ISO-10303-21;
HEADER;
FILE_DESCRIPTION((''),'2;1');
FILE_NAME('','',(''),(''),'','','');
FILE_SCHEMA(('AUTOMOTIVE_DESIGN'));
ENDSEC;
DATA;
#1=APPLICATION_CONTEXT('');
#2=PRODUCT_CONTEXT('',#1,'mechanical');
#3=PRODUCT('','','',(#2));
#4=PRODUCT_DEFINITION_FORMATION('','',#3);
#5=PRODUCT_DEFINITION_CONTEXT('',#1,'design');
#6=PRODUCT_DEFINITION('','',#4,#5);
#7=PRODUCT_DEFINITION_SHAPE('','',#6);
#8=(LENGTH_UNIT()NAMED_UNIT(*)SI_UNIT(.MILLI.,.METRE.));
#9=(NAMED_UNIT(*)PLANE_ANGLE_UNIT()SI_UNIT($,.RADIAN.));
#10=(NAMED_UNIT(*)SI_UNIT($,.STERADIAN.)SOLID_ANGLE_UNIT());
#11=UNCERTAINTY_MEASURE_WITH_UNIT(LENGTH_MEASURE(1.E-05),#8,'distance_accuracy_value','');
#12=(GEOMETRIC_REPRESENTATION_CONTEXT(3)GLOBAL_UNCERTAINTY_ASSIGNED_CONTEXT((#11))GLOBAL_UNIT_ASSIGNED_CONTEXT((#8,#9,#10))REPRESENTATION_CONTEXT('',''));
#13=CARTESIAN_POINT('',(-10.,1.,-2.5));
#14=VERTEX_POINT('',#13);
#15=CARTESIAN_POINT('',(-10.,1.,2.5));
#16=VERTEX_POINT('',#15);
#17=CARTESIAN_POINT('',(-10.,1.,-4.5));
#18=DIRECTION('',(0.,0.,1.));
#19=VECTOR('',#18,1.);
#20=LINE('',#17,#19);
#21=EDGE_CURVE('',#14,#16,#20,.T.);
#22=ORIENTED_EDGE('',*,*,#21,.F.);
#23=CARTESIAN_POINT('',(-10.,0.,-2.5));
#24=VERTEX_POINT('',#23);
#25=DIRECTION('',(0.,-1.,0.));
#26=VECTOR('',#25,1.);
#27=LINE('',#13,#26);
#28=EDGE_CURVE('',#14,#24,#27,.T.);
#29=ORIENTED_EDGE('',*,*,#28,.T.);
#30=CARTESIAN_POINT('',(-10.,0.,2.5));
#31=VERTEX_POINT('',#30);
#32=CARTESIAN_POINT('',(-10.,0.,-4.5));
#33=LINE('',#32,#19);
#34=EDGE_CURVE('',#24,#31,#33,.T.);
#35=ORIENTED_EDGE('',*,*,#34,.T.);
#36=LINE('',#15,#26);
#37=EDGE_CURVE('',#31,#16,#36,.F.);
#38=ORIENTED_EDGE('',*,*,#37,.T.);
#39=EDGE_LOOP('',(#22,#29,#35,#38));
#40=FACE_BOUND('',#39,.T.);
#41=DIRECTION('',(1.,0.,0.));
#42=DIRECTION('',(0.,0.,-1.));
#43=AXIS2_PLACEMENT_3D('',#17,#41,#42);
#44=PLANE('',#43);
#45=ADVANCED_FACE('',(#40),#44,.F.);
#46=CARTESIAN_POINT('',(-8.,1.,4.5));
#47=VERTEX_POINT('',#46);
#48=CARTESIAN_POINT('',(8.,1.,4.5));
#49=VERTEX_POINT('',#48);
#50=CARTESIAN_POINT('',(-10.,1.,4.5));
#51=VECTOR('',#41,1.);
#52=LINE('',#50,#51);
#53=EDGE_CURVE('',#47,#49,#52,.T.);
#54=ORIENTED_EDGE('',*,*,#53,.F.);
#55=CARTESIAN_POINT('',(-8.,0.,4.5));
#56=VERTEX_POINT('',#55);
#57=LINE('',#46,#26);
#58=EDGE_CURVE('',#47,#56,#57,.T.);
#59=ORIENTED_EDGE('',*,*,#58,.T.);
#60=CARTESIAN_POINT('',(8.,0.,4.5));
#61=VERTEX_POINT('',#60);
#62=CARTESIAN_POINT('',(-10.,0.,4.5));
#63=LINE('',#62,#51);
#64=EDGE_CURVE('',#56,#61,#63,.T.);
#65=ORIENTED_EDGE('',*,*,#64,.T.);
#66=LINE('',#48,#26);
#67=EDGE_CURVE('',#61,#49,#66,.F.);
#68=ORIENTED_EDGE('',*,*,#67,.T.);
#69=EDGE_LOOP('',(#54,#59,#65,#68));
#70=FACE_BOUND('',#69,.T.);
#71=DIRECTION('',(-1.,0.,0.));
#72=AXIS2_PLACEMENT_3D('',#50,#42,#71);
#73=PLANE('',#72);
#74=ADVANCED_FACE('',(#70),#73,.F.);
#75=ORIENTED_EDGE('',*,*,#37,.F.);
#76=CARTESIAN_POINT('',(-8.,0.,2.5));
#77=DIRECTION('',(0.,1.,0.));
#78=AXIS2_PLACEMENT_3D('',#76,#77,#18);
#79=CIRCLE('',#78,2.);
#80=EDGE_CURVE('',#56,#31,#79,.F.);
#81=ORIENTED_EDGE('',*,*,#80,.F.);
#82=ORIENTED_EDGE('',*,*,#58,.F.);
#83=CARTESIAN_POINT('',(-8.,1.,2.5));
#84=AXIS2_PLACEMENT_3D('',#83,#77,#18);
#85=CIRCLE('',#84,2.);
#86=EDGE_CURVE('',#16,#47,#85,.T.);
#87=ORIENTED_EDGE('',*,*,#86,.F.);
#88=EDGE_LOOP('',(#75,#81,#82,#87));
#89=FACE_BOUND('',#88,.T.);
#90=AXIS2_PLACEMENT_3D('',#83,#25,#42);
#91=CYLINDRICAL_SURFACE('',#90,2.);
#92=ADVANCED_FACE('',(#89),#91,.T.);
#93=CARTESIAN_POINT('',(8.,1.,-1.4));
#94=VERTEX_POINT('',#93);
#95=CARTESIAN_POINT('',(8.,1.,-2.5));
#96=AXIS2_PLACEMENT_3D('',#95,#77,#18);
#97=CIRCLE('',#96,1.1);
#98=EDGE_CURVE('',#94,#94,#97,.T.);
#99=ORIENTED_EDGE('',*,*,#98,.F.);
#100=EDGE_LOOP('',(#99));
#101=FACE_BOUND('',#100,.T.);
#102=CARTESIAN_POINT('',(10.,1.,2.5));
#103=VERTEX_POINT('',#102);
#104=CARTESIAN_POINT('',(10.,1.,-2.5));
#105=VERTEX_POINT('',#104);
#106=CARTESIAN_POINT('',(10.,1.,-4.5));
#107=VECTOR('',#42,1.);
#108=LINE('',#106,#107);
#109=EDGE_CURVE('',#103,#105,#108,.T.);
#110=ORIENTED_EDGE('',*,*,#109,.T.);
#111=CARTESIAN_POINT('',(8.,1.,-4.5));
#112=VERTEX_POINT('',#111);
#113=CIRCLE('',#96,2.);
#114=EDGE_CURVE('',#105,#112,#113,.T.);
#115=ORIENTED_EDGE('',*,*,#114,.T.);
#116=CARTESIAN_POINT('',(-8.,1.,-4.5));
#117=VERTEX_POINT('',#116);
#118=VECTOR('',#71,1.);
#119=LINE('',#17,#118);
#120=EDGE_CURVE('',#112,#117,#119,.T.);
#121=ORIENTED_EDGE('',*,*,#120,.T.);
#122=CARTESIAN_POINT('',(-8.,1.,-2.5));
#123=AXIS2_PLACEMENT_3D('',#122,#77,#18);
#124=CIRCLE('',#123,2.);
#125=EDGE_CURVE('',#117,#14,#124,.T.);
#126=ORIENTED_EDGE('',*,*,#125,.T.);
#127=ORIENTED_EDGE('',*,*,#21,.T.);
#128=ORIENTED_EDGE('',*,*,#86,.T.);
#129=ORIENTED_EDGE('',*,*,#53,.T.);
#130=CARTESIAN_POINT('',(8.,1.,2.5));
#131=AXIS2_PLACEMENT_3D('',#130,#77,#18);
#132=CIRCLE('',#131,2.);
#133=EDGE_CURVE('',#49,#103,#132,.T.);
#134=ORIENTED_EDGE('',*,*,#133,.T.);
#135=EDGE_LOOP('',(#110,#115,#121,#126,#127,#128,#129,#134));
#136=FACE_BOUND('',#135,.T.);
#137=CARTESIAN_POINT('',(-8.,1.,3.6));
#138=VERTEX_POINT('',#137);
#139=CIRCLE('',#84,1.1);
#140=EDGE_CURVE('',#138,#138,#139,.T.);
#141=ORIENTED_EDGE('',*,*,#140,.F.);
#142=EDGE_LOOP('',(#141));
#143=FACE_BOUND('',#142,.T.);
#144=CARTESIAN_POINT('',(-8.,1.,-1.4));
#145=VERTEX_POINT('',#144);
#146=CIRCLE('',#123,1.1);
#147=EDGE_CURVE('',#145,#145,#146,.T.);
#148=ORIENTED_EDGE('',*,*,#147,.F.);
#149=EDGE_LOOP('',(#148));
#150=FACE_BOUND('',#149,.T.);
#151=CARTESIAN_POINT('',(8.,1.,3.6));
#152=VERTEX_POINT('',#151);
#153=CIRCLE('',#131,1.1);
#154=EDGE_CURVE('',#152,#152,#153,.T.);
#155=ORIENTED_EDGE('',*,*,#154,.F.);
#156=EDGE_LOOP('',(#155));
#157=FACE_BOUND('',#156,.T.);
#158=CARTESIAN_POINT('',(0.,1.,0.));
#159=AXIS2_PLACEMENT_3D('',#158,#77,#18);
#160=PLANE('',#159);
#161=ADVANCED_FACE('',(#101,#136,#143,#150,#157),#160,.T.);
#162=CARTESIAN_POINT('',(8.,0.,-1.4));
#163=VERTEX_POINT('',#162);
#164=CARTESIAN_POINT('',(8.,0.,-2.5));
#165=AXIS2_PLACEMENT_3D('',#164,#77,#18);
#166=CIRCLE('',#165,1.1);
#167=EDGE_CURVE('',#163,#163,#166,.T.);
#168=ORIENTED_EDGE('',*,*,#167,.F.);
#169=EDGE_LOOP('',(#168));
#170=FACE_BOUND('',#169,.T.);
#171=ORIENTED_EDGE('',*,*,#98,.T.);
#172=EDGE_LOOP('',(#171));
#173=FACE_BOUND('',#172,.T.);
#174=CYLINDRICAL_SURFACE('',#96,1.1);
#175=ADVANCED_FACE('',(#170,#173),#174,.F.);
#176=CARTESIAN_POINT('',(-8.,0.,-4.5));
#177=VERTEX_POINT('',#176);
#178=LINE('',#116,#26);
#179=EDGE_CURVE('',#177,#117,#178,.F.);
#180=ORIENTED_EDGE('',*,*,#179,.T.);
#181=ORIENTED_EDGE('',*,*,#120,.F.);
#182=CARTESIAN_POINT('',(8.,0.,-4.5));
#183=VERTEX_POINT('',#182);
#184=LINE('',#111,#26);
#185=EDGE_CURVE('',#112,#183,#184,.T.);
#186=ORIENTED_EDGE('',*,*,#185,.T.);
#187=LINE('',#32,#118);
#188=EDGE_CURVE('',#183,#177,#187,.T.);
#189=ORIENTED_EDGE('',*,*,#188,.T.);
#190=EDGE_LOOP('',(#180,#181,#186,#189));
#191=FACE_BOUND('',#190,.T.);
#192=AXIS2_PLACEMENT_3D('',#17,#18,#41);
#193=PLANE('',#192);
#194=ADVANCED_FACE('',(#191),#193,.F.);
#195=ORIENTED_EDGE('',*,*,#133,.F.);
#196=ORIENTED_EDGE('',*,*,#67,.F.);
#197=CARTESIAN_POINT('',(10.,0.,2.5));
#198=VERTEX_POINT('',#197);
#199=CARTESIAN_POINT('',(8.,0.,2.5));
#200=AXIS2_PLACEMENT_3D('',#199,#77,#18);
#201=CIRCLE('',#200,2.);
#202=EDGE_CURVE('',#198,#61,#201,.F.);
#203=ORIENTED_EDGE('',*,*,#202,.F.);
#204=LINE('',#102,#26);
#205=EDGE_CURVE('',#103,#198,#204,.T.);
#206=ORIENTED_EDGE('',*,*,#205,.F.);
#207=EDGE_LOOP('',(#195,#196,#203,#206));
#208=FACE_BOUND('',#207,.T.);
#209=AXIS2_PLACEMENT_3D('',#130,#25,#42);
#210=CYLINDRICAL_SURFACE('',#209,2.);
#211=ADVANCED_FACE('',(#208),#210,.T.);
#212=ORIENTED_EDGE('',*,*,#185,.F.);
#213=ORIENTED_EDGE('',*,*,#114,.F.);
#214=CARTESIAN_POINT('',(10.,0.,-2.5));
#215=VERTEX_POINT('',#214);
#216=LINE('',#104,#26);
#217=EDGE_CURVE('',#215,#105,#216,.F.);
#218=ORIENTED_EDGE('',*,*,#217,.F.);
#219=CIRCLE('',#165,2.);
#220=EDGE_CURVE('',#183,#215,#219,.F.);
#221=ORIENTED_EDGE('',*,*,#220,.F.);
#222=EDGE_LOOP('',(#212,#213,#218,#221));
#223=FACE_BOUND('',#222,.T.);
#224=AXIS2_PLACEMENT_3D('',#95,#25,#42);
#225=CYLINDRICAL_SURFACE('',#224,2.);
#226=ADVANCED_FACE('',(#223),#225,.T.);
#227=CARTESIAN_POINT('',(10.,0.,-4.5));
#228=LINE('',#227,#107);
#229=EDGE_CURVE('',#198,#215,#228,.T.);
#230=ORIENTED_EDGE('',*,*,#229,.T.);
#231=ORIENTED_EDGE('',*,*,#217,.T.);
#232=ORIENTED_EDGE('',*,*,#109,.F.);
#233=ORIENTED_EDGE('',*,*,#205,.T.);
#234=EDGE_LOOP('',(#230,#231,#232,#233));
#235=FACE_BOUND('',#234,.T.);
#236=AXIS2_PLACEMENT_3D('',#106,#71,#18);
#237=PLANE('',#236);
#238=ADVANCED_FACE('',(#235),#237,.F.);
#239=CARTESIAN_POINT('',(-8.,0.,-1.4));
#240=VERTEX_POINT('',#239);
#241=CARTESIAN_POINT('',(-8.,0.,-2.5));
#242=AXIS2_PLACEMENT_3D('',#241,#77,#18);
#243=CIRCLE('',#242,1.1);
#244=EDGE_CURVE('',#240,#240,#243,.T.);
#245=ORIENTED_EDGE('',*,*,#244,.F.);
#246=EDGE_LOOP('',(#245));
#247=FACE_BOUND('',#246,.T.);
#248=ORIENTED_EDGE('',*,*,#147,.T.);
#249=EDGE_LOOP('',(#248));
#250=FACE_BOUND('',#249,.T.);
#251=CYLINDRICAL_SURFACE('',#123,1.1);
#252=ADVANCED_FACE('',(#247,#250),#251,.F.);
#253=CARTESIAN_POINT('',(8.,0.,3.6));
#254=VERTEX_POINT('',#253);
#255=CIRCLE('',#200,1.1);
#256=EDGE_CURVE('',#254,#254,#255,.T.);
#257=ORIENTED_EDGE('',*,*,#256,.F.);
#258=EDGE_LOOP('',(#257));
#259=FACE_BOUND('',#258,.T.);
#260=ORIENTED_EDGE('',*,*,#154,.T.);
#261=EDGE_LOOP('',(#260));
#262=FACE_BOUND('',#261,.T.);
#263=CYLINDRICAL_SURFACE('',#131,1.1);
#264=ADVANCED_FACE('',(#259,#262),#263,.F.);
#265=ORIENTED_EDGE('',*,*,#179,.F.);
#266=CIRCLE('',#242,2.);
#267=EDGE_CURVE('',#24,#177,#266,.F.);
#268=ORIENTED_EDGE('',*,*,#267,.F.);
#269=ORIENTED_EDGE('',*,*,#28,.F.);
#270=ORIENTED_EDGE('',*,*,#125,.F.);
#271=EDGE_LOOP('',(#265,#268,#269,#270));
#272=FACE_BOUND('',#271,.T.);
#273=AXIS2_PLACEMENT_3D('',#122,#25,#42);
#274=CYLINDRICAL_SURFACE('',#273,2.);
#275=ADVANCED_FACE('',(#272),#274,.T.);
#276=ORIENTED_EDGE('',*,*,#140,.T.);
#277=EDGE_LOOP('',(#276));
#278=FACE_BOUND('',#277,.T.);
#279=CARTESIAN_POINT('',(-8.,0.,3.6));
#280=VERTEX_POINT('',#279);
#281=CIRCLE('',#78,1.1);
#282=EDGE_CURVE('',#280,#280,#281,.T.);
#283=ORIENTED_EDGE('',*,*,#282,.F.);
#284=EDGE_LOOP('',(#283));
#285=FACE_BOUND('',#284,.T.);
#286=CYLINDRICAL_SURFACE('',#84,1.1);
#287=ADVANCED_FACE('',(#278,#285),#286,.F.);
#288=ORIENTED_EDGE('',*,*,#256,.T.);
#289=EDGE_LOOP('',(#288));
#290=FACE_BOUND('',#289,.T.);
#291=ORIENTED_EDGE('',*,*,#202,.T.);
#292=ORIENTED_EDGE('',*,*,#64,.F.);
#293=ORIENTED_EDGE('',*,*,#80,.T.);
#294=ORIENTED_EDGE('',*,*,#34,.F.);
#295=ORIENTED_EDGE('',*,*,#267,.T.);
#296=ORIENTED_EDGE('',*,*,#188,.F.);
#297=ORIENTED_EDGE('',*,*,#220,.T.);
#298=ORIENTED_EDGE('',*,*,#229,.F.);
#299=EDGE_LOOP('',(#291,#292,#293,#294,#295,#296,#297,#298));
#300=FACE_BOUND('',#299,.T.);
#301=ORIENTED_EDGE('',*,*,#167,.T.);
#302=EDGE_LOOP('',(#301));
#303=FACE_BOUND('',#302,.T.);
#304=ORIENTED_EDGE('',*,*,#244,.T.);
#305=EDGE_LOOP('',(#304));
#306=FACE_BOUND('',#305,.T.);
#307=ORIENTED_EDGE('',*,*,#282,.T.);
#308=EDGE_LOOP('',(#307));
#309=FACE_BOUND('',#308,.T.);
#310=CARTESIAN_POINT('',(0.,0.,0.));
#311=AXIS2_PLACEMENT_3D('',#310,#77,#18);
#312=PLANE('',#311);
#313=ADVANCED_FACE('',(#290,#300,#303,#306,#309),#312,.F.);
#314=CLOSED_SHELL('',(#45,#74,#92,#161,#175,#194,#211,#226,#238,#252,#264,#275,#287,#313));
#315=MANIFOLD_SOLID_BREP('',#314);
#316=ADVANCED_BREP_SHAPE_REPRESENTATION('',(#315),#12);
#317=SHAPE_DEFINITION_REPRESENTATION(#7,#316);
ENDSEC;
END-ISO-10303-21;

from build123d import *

# Parameters (mm, degrees)
SKETCH_1_W             = 20
SKETCH_1_H             = 9
EXTRUDE_1_DEPTH        = 1
HOLE_WIZARD_M2_1_D     = 2.2
HOLE_WIZARD_M2_1_DEPTH = 7.5
HOLE_WIZARD_M2_1_TIP   = 0.660946681
FILLET_1_R             = 2


with BuildPart() as part:
    # 草图1 → 凸台-拉伸1 (new body)
    with BuildSketch(Plane(origin=(0, 0, 0), x_dir=(1, 0, 0), z_dir=(0, 1, 0))):
        Rectangle(SKETCH_1_W, SKETCH_1_H)
    extrude(amount=EXTRUDE_1_DEPTH)

    # M2 间隙孔1
    with Locations(Plane(origin=(0, 1, 0), x_dir=(1, 0, 0), z_dir=(0, 1, 0))):
        with Locations((-8, 2.5), (8, 2.5), (8, -2.5), (-8, -2.5)):
            Hole(HOLE_WIZARD_M2_1_D / 2, depth=HOLE_WIZARD_M2_1_DEPTH)
            with Locations((0, 0, -(HOLE_WIZARD_M2_1_DEPTH + HOLE_WIZARD_M2_1_TIP / 2))):  # 118° drill point
                Cone(0, HOLE_WIZARD_M2_1_D / 2, HOLE_WIZARD_M2_1_TIP, mode=Mode.SUBTRACT)

    # 圆角1
    fillet_1_edges = [part.edges().sort_by_distance(p)[0] for p in [
        (10, 0.5, 4.5),
        (-10, 0.5, 4.5),
        (-10, 0.5, -4.5),
        (10, 0.5, -4.5),
    ]]
    fillet(fillet_1_edges, radius=FILLET_1_R)


solid = part.part
